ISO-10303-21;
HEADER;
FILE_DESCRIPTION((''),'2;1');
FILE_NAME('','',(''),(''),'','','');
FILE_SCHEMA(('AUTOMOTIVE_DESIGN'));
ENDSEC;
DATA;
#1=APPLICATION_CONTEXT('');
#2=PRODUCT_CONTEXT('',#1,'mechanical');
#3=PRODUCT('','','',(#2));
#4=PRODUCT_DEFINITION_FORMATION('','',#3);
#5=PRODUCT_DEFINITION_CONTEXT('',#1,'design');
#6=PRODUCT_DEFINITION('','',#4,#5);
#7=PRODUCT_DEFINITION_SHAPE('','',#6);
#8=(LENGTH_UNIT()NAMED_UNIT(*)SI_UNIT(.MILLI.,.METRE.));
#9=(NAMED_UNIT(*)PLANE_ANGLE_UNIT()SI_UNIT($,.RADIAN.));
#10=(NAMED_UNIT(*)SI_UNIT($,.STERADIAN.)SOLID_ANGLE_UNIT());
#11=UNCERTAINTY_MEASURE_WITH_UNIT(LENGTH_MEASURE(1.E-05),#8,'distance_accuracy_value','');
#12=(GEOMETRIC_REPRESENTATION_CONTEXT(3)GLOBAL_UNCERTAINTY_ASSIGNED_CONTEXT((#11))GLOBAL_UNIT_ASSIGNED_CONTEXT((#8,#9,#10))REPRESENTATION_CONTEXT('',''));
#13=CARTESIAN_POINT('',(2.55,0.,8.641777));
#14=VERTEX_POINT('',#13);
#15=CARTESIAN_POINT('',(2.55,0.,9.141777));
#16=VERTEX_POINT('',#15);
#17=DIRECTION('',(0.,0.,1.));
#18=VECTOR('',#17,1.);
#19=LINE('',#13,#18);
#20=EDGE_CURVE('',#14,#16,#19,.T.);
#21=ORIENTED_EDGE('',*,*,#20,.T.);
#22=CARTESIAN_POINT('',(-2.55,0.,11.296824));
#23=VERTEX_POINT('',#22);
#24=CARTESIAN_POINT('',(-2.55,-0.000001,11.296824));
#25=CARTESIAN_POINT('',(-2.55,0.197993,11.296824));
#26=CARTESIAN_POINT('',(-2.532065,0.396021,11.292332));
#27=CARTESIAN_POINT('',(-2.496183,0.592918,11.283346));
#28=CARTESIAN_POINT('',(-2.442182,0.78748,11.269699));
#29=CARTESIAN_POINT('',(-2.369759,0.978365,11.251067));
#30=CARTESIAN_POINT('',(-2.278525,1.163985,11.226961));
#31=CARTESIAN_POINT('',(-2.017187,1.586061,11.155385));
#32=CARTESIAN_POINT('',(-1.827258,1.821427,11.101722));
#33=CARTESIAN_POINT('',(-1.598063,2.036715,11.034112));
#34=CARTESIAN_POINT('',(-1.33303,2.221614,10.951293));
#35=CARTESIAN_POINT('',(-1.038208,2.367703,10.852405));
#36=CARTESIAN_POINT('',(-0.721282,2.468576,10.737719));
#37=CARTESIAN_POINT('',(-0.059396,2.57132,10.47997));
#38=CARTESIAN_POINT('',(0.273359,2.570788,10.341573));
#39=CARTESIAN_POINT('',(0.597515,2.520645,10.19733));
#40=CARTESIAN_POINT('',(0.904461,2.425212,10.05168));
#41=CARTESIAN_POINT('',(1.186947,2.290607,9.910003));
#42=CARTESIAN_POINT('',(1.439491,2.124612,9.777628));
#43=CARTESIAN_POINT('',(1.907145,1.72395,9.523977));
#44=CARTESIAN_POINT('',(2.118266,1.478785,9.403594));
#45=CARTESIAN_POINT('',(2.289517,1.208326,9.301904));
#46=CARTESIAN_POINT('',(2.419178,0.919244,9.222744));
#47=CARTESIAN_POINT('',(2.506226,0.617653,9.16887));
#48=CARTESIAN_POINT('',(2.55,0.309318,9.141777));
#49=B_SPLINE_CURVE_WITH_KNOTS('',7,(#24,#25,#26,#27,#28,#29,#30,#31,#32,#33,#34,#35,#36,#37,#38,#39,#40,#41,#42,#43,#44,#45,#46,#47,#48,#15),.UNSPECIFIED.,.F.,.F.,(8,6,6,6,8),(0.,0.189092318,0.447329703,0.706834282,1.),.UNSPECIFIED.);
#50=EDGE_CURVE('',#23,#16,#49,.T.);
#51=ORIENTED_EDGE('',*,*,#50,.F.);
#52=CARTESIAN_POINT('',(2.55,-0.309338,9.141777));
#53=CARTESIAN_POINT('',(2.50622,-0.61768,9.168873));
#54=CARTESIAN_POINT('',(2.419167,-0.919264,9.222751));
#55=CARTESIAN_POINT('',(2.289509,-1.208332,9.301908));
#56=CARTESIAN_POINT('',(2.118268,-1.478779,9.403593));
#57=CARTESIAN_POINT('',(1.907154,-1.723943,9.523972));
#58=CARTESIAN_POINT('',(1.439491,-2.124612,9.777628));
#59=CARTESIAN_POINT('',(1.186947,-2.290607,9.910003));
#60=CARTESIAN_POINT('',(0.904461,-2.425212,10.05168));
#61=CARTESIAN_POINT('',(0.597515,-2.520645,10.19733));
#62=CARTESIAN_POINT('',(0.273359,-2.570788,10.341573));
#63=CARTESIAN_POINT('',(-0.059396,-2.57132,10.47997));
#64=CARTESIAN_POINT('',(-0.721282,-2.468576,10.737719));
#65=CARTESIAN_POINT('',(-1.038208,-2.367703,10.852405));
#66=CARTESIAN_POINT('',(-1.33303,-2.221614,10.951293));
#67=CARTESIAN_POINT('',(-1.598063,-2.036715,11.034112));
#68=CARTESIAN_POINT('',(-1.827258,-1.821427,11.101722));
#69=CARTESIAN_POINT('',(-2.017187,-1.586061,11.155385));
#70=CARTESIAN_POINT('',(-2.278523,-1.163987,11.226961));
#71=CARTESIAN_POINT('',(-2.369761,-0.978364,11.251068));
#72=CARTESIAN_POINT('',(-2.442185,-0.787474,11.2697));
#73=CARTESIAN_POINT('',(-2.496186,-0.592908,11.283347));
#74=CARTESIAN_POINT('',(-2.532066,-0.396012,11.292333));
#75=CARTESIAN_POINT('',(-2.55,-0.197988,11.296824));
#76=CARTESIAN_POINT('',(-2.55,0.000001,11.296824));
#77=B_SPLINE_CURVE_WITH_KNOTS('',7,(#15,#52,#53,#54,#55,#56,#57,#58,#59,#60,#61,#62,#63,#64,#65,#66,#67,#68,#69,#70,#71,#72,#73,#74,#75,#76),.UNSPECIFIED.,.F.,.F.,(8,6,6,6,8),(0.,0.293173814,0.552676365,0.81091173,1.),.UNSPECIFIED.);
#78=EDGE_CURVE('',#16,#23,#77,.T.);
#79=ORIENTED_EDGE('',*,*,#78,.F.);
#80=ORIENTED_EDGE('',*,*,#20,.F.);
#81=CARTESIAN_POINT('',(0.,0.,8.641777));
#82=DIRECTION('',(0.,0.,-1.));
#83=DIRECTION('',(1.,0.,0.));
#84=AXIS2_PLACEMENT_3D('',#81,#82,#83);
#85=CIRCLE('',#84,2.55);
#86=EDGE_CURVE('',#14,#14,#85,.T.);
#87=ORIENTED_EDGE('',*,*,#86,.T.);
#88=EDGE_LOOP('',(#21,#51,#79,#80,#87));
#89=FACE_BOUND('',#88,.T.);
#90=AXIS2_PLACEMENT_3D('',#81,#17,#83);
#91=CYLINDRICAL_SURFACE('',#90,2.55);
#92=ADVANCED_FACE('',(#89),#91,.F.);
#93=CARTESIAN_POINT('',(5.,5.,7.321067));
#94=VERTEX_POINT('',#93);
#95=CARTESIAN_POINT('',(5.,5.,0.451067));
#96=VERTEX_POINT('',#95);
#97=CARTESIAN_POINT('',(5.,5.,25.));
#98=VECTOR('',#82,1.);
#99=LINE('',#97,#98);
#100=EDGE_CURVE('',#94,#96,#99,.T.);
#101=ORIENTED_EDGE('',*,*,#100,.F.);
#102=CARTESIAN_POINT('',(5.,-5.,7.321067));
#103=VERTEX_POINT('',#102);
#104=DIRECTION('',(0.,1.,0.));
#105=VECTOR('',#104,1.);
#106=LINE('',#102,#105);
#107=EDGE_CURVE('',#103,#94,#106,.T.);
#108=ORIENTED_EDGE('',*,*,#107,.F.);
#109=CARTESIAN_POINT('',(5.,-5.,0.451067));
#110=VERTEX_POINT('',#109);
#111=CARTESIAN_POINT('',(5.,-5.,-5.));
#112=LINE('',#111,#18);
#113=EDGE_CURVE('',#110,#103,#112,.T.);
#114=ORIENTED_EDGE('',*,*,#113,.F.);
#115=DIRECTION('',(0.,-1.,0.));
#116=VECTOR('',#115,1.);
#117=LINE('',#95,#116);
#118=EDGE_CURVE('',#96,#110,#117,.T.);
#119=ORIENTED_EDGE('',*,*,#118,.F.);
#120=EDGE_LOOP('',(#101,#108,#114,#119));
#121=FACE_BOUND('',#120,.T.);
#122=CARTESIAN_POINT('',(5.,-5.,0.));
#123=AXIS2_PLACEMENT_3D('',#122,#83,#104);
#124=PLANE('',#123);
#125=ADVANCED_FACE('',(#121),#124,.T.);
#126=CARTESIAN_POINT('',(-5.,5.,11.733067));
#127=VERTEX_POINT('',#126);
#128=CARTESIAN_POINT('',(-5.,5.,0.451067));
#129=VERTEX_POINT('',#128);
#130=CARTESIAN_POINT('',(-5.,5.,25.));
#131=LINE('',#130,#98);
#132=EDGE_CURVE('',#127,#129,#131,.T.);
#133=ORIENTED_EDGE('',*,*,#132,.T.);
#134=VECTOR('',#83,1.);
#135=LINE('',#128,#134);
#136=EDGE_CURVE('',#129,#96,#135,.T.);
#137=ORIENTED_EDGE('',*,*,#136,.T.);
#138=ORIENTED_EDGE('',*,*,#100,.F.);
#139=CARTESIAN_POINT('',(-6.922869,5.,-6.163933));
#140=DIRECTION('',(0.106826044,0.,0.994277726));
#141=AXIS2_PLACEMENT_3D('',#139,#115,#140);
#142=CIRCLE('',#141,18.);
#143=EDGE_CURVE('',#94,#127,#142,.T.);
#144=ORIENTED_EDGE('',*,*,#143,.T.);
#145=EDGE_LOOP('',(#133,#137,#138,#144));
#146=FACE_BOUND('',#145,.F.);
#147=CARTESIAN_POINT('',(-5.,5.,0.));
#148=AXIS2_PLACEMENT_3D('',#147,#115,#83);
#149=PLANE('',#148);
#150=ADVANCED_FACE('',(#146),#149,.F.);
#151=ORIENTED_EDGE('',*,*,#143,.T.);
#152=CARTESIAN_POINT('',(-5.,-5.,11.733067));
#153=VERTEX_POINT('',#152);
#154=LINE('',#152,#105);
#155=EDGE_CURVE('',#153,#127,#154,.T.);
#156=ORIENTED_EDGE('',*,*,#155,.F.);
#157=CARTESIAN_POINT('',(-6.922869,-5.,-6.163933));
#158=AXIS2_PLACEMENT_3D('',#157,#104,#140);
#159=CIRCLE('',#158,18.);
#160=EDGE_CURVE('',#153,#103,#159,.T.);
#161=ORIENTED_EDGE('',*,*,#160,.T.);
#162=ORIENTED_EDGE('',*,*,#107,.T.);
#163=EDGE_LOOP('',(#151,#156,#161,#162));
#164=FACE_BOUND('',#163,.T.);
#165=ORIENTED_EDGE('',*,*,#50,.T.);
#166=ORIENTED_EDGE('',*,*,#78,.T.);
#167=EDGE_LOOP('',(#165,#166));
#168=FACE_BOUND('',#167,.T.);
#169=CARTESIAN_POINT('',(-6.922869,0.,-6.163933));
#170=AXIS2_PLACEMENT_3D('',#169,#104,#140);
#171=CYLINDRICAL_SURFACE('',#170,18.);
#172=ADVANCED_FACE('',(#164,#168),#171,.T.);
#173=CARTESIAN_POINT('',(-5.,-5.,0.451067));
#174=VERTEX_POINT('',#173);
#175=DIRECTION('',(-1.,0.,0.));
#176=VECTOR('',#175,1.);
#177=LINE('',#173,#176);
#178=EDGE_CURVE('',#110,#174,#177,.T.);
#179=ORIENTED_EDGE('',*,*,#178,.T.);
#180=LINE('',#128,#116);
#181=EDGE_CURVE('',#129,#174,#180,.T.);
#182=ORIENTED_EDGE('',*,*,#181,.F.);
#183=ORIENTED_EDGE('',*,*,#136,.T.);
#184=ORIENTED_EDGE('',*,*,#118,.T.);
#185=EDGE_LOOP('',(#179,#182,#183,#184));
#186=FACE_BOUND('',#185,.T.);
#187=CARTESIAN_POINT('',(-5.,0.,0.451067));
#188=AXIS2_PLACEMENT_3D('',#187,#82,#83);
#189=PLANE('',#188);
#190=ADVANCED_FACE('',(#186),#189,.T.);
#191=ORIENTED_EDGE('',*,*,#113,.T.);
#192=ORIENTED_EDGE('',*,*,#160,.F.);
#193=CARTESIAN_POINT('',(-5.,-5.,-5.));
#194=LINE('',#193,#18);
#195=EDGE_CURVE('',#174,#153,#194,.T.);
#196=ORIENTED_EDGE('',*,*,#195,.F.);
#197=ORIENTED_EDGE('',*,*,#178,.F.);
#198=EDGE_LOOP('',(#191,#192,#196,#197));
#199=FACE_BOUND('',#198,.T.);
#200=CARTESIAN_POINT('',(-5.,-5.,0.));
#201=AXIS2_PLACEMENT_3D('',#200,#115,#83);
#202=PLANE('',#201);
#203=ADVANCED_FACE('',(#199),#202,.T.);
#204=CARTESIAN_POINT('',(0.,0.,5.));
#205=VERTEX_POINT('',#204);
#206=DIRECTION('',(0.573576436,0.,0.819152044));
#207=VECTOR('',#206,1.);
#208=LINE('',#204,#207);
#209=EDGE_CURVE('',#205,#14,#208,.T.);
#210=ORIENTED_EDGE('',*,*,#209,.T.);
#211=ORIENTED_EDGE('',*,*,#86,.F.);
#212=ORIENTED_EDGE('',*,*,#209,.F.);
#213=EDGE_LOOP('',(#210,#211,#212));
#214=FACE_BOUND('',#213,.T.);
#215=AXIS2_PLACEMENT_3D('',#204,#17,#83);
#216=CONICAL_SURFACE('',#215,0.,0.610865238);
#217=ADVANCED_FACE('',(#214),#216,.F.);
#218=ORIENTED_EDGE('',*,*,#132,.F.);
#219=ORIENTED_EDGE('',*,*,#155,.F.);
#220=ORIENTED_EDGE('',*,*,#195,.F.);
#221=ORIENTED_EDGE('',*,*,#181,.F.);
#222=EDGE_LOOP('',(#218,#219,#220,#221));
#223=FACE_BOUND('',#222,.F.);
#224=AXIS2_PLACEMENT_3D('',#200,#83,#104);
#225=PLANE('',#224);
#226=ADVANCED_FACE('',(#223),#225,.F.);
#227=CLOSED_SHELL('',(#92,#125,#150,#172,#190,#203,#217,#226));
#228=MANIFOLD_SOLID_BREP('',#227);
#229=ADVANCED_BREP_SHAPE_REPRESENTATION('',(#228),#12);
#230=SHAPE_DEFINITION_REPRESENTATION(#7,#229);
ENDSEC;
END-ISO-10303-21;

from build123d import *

# Parameters (mm, degrees)
F0_W          = 10
F0_H          = 10
F1_DEPTH      = 25
F1_DEPTH_BACK = 5
F4_W          = 10
F4_H          = 5.4510665399
F5_DEPTH      = 25
F5_DEPTH_BACK = 25


with BuildPart() as f1:
    # F0 (on Top) → F1 (new body, two sides)
    with BuildSketch(Plane.XY) as f1_sk:
        Rectangle(F0_W, F0_H)
    extrude(amount=F1_DEPTH)
    extrude(f1_sk.sketch, amount=-F1_DEPTH_BACK)

    # F2 (on Front) → F3 (revolve, cut)
    with BuildSketch(Plane.XZ):
        Polygon((2.55, 8.6417774172), (2.55, 25), (0, 25), (0, 5), align=None)
    revolve(axis=Axis((0, 0, 15), (0, 0, -1)), mode=Mode.SUBTRACT)

    # F4 (on Front) → F5 (cut, two sides)
    with BuildSketch(Plane.XZ) as f5_sk:
        with BuildLine():
            ThreePointArc((-5, 11.7330665399), (0.3429792874, 10.3044447979), (5, 7.3210665399))
            Line((5, 7.3210665399), (5, 25))
            Line((5, 25), (-5, 25))
            Line((-5, 25), (-5, 11.7330665399))
        make_face()
        with Locations((0, -2.2744667301)):
            Rectangle(F4_W, F4_H)
    extrude(amount=-F5_DEPTH, mode=Mode.SUBTRACT)
    extrude(f5_sk.sketch, amount=F5_DEPTH_BACK, mode=Mode.SUBTRACT)


solid = f1.part
